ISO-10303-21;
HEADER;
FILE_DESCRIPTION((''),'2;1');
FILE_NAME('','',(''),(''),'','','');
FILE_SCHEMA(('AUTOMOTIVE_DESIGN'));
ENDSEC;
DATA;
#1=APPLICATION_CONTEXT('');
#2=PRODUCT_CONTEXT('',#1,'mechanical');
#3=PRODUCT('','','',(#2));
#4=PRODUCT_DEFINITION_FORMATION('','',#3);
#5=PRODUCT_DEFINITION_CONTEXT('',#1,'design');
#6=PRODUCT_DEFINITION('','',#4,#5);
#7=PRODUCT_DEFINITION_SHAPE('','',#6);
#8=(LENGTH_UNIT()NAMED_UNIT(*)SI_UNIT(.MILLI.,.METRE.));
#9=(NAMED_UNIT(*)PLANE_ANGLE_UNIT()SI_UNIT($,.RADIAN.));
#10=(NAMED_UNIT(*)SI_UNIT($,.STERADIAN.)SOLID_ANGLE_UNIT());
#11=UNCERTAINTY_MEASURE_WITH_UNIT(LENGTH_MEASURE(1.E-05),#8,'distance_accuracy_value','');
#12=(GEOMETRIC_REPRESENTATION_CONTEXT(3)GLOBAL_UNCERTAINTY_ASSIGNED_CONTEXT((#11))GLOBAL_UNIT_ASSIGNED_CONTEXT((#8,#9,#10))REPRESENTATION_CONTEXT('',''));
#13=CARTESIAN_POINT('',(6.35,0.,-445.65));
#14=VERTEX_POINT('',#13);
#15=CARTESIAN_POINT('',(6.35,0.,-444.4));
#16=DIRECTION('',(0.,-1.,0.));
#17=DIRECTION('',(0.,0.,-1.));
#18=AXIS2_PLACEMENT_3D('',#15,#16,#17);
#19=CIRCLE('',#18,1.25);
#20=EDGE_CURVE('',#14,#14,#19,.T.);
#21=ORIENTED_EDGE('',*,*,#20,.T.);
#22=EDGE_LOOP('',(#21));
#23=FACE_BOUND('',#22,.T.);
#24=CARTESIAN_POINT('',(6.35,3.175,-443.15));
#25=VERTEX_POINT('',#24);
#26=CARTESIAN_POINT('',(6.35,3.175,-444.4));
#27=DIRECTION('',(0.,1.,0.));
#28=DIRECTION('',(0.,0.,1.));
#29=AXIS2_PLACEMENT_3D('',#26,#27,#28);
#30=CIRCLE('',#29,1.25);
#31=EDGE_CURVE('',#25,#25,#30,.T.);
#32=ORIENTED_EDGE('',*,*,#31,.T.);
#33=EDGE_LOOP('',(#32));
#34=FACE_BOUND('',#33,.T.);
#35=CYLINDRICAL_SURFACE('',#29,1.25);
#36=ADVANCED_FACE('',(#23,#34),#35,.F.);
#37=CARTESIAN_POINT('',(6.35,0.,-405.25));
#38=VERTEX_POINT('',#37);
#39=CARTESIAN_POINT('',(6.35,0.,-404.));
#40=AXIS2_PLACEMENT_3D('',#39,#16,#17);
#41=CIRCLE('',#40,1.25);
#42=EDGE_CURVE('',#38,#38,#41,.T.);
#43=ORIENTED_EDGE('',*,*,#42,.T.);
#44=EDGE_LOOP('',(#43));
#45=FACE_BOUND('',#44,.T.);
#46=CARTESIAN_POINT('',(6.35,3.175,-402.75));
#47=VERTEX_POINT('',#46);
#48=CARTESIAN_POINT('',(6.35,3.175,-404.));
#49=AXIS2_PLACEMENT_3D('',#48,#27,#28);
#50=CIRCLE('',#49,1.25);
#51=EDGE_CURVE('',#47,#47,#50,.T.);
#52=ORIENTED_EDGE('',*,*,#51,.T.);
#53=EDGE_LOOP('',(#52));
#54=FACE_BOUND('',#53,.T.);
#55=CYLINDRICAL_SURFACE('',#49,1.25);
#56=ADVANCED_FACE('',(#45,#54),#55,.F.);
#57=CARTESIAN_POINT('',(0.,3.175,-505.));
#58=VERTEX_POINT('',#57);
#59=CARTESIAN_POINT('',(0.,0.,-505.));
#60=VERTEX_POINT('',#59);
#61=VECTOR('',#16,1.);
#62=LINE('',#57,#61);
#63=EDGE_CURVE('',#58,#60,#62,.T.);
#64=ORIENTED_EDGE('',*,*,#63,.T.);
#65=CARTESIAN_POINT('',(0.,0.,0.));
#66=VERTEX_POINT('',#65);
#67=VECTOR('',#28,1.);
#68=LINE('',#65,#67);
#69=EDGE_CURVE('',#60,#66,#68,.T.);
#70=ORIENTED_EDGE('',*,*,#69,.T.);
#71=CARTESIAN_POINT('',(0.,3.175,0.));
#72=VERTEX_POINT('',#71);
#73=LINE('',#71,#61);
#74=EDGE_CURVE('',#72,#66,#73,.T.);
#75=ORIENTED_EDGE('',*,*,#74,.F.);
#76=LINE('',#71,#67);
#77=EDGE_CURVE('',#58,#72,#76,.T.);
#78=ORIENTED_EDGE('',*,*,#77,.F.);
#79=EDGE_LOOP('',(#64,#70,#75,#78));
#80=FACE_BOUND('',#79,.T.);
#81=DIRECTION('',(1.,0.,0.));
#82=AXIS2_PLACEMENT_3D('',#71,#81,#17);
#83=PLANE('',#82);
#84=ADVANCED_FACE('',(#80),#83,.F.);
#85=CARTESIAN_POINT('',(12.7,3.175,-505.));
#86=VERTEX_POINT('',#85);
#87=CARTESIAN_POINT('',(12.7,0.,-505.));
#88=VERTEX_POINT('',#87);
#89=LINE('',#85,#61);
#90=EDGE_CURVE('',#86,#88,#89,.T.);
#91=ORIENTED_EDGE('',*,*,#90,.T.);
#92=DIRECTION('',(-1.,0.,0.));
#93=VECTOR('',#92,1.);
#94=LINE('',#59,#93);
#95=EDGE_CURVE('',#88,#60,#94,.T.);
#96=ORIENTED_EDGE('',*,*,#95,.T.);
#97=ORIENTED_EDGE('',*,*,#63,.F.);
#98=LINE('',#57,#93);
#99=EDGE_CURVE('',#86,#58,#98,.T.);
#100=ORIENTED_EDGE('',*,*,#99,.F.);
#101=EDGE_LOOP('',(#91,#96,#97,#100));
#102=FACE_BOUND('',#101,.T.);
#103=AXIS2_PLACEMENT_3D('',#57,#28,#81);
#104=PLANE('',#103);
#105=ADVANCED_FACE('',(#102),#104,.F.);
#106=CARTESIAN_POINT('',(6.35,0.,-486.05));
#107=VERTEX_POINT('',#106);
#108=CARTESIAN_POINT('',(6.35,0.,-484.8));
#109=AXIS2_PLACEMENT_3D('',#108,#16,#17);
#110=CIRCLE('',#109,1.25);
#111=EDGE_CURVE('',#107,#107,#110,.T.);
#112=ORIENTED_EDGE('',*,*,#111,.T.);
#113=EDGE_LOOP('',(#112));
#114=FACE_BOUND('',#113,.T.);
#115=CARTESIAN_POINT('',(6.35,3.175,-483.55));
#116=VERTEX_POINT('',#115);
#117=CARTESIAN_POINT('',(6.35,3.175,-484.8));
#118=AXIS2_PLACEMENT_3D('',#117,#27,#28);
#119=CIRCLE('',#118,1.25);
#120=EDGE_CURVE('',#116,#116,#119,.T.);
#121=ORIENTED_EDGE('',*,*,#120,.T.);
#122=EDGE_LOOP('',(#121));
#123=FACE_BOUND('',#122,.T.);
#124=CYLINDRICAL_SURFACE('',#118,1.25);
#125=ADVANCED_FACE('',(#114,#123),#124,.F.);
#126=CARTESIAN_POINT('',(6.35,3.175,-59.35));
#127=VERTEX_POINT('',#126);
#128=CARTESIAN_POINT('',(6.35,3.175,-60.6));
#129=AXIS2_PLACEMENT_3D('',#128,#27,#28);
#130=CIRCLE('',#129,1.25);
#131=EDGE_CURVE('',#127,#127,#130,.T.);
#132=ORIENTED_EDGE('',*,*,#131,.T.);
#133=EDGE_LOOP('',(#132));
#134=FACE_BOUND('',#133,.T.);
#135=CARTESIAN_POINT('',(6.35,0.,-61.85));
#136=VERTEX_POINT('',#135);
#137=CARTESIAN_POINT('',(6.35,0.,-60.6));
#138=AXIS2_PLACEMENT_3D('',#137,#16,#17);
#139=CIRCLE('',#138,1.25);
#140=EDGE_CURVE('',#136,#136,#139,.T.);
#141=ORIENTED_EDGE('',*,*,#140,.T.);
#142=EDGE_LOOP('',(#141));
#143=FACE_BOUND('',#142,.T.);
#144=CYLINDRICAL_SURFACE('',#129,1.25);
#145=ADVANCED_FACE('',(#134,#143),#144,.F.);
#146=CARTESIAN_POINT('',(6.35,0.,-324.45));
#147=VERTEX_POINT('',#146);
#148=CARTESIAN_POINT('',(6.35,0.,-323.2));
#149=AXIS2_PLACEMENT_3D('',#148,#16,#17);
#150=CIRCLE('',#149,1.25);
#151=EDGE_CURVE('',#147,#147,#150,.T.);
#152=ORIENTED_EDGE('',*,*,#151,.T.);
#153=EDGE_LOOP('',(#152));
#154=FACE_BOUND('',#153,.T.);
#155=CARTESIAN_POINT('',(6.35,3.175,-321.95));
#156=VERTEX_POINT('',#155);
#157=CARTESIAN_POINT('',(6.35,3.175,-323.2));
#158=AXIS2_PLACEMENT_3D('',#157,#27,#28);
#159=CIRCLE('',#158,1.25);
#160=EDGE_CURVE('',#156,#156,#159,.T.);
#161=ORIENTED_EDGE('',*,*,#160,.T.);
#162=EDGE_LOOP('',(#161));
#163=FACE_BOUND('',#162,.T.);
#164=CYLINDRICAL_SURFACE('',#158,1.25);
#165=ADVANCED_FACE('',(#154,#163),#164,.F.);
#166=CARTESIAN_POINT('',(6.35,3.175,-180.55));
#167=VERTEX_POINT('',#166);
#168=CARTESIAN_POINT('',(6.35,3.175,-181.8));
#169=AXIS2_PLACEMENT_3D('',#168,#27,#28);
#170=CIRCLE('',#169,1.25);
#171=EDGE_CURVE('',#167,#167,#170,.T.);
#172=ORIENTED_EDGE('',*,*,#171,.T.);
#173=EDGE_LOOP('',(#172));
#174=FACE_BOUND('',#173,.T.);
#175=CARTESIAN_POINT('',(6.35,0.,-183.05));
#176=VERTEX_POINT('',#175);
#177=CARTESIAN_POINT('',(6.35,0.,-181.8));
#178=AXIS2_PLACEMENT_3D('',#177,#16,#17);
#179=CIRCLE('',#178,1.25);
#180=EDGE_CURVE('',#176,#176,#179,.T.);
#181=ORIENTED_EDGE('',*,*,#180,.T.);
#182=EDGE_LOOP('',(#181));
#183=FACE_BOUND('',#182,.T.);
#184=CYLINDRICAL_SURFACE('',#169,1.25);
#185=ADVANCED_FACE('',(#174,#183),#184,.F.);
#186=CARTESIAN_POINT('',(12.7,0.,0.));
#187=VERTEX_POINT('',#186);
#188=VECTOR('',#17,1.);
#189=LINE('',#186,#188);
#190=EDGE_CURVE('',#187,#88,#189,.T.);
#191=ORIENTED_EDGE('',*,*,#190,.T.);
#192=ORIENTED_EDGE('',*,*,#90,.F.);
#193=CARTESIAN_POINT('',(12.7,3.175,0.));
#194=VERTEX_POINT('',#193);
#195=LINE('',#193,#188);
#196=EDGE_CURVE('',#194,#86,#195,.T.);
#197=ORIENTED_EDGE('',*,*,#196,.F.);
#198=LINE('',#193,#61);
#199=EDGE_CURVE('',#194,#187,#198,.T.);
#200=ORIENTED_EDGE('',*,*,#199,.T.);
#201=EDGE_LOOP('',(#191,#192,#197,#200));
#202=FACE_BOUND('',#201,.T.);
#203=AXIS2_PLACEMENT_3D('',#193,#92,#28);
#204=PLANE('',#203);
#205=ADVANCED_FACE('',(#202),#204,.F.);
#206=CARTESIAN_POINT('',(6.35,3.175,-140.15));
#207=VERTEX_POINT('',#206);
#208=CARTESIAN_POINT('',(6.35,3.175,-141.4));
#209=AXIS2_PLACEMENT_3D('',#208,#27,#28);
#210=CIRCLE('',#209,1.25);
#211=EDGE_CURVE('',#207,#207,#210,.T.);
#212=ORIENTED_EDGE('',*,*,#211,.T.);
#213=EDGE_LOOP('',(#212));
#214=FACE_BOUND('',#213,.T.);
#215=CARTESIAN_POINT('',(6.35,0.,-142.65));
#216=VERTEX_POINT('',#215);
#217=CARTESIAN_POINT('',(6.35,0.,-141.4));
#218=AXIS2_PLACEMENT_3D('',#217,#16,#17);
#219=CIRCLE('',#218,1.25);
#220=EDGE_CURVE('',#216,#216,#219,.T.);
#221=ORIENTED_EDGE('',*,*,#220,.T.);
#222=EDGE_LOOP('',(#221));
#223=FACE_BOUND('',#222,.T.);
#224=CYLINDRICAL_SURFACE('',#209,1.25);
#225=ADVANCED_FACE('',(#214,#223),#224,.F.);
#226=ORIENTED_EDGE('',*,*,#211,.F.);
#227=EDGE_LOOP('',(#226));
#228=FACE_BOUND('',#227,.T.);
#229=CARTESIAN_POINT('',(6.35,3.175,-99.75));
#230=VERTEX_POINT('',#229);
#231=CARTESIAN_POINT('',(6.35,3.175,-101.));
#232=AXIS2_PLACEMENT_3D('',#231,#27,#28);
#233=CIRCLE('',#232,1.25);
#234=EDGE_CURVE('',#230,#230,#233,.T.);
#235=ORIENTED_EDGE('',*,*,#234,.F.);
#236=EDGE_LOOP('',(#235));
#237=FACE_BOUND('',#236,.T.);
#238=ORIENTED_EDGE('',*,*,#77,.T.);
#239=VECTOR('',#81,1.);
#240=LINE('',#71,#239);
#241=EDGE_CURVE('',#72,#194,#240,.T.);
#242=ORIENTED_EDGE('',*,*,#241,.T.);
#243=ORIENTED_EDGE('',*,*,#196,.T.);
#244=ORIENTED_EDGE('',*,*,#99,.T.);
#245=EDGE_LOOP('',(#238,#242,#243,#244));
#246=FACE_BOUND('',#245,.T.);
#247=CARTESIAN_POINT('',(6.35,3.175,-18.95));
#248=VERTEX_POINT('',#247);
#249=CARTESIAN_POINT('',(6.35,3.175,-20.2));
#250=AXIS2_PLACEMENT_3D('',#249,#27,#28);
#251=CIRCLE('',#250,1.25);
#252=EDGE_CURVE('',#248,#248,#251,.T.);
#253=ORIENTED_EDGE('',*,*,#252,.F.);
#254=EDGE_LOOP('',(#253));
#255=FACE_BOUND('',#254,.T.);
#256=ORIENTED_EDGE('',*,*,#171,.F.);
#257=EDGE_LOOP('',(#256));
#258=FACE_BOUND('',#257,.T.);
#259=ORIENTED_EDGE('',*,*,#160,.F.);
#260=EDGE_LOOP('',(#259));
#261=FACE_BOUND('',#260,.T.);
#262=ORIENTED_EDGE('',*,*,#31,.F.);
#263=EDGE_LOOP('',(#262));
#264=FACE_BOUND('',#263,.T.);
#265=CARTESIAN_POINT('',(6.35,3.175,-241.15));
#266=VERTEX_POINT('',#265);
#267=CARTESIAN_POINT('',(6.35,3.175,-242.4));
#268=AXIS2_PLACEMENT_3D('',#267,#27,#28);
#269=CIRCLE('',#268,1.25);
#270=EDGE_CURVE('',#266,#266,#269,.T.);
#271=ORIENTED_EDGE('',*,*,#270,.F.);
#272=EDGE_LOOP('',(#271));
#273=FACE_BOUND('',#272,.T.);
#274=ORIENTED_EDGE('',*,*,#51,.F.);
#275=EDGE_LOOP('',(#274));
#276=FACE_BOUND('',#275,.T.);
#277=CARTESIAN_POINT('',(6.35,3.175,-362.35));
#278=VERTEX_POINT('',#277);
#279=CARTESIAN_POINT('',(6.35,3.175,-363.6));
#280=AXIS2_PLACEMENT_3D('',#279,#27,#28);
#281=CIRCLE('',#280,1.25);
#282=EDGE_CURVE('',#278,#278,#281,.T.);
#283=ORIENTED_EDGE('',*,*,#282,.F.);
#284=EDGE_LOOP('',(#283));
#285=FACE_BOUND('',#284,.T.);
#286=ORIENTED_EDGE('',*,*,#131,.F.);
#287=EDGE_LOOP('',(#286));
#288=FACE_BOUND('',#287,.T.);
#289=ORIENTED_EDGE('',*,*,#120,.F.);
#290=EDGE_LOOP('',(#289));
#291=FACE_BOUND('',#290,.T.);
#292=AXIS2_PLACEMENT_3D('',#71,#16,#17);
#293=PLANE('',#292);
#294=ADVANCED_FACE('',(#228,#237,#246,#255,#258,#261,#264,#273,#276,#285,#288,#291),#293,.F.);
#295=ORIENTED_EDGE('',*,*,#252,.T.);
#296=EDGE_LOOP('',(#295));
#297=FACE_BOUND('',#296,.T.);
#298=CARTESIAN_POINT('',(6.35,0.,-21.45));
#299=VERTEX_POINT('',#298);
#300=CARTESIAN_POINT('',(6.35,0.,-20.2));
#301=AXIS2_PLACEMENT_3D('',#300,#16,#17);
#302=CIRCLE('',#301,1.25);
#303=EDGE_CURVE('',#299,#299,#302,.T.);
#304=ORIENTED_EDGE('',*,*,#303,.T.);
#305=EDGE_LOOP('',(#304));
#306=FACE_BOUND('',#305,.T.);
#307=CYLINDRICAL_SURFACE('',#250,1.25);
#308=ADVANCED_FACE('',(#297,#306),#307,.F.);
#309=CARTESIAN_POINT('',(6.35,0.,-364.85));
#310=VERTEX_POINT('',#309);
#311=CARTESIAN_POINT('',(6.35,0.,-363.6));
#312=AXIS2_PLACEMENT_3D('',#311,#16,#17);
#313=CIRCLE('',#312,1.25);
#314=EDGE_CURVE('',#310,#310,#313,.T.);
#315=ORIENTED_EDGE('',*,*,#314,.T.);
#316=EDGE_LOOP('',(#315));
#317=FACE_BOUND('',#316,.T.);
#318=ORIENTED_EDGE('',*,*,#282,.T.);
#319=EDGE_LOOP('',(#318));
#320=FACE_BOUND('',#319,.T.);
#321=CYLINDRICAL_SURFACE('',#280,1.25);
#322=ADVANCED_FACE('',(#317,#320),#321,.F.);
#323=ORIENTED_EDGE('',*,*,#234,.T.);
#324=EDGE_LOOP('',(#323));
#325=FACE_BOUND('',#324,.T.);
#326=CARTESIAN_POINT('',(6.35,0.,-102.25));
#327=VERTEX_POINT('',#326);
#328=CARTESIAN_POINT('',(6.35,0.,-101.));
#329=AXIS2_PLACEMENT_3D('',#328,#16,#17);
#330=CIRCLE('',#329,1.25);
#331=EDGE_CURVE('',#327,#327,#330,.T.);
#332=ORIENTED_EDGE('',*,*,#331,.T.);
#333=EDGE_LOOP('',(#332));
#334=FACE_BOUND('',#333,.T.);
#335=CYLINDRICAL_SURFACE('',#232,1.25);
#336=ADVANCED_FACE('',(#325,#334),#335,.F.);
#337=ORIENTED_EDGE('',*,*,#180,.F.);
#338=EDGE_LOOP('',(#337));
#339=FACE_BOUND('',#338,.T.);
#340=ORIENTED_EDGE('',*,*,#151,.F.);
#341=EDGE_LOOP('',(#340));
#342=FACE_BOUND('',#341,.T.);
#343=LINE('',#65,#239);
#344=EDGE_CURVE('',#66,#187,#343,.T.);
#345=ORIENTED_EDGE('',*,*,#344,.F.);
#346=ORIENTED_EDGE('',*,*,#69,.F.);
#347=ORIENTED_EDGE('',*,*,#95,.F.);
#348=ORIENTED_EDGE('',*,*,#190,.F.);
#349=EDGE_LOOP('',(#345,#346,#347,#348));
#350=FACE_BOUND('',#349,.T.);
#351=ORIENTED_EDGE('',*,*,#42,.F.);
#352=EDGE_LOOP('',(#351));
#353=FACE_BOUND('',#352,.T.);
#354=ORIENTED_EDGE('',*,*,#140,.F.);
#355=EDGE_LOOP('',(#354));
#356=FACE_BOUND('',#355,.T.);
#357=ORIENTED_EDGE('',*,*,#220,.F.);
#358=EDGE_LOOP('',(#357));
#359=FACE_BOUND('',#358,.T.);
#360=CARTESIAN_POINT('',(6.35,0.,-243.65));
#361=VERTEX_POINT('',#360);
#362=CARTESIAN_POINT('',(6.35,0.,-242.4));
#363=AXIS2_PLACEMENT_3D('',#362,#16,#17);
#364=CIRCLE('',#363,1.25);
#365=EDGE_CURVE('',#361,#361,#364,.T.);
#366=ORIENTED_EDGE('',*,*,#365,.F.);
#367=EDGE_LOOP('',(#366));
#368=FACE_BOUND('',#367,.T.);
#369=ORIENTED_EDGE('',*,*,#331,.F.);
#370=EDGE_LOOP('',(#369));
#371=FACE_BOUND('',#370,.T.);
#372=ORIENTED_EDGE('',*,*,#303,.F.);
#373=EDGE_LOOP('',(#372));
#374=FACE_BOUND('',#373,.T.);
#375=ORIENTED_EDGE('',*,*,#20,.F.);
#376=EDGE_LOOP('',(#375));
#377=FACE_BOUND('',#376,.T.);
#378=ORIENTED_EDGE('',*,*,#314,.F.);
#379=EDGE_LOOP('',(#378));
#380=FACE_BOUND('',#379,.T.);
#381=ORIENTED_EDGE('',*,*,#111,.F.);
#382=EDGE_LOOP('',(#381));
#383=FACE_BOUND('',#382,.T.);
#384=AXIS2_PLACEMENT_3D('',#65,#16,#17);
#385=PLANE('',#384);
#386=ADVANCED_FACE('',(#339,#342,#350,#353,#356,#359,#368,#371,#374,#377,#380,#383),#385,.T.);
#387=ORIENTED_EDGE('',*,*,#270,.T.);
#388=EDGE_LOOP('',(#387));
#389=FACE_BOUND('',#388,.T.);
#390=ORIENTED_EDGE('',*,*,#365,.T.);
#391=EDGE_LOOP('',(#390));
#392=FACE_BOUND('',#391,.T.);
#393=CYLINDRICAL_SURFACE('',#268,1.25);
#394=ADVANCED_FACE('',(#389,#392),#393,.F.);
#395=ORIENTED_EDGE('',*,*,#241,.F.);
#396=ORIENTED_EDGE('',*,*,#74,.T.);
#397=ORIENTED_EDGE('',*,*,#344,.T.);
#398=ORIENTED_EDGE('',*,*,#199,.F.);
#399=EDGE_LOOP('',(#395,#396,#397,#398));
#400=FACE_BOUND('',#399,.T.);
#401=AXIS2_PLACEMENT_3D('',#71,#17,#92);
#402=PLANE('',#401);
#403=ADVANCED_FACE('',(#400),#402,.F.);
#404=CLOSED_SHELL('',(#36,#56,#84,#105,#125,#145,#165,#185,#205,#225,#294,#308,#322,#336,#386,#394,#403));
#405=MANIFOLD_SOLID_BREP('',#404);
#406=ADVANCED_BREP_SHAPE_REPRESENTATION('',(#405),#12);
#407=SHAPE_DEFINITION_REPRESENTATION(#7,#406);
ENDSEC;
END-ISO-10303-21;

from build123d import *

# Parameters (mm, degrees)
SKETCH1_W                       = 12.7
SKETCH1_H                       = 505
BOSS_EXTRUDE1_DEPTH             = 3.175
TAP_DRILL_FOR_M3X0_5_TAP3_D     = 2.5
TAP_DRILL_FOR_M3X0_5_TAP3_DEPTH = 11.68
TAP_DRILL_FOR_M3X0_5_TAP3_TIP   = 0.751075774


with BuildPart() as part:
    # Sketch1 → Boss-Extrude1 (new body)
    with BuildSketch(Plane(origin=(0, 0, 0), x_dir=(1, 0, 0), z_dir=(0, 1, 0))):
        with Locations((6.35, 252.5)):
            Rectangle(SKETCH1_W, SKETCH1_H)
    extrude(amount=BOSS_EXTRUDE1_DEPTH)

    # Tap Drill for M3x0.5 Tap3
    with Locations(Plane(origin=(0, 3.175, 0), x_dir=(1, 0, 0), z_dir=(0, 1, 0))):
        with Locations((6.35, 20.2), (6.35, 60.6), (6.35, 101), (6.35, 141.4), (6.35, 181.8), (6.35, 242.4), (6.35, 323.2), (6.35, 363.6), (6.35, 404), (6.35, 444.4), (6.35, 484.8)):
            Hole(TAP_DRILL_FOR_M3X0_5_TAP3_D / 2, depth=TAP_DRILL_FOR_M3X0_5_TAP3_DEPTH)
            with Locations((0, 0, -(TAP_DRILL_FOR_M3X0_5_TAP3_DEPTH + TAP_DRILL_FOR_M3X0_5_TAP3_TIP / 2))):  # 118° drill point
                Cone(0, TAP_DRILL_FOR_M3X0_5_TAP3_D / 2, TAP_DRILL_FOR_M3X0_5_TAP3_TIP, mode=Mode.SUBTRACT)


solid = part.part
